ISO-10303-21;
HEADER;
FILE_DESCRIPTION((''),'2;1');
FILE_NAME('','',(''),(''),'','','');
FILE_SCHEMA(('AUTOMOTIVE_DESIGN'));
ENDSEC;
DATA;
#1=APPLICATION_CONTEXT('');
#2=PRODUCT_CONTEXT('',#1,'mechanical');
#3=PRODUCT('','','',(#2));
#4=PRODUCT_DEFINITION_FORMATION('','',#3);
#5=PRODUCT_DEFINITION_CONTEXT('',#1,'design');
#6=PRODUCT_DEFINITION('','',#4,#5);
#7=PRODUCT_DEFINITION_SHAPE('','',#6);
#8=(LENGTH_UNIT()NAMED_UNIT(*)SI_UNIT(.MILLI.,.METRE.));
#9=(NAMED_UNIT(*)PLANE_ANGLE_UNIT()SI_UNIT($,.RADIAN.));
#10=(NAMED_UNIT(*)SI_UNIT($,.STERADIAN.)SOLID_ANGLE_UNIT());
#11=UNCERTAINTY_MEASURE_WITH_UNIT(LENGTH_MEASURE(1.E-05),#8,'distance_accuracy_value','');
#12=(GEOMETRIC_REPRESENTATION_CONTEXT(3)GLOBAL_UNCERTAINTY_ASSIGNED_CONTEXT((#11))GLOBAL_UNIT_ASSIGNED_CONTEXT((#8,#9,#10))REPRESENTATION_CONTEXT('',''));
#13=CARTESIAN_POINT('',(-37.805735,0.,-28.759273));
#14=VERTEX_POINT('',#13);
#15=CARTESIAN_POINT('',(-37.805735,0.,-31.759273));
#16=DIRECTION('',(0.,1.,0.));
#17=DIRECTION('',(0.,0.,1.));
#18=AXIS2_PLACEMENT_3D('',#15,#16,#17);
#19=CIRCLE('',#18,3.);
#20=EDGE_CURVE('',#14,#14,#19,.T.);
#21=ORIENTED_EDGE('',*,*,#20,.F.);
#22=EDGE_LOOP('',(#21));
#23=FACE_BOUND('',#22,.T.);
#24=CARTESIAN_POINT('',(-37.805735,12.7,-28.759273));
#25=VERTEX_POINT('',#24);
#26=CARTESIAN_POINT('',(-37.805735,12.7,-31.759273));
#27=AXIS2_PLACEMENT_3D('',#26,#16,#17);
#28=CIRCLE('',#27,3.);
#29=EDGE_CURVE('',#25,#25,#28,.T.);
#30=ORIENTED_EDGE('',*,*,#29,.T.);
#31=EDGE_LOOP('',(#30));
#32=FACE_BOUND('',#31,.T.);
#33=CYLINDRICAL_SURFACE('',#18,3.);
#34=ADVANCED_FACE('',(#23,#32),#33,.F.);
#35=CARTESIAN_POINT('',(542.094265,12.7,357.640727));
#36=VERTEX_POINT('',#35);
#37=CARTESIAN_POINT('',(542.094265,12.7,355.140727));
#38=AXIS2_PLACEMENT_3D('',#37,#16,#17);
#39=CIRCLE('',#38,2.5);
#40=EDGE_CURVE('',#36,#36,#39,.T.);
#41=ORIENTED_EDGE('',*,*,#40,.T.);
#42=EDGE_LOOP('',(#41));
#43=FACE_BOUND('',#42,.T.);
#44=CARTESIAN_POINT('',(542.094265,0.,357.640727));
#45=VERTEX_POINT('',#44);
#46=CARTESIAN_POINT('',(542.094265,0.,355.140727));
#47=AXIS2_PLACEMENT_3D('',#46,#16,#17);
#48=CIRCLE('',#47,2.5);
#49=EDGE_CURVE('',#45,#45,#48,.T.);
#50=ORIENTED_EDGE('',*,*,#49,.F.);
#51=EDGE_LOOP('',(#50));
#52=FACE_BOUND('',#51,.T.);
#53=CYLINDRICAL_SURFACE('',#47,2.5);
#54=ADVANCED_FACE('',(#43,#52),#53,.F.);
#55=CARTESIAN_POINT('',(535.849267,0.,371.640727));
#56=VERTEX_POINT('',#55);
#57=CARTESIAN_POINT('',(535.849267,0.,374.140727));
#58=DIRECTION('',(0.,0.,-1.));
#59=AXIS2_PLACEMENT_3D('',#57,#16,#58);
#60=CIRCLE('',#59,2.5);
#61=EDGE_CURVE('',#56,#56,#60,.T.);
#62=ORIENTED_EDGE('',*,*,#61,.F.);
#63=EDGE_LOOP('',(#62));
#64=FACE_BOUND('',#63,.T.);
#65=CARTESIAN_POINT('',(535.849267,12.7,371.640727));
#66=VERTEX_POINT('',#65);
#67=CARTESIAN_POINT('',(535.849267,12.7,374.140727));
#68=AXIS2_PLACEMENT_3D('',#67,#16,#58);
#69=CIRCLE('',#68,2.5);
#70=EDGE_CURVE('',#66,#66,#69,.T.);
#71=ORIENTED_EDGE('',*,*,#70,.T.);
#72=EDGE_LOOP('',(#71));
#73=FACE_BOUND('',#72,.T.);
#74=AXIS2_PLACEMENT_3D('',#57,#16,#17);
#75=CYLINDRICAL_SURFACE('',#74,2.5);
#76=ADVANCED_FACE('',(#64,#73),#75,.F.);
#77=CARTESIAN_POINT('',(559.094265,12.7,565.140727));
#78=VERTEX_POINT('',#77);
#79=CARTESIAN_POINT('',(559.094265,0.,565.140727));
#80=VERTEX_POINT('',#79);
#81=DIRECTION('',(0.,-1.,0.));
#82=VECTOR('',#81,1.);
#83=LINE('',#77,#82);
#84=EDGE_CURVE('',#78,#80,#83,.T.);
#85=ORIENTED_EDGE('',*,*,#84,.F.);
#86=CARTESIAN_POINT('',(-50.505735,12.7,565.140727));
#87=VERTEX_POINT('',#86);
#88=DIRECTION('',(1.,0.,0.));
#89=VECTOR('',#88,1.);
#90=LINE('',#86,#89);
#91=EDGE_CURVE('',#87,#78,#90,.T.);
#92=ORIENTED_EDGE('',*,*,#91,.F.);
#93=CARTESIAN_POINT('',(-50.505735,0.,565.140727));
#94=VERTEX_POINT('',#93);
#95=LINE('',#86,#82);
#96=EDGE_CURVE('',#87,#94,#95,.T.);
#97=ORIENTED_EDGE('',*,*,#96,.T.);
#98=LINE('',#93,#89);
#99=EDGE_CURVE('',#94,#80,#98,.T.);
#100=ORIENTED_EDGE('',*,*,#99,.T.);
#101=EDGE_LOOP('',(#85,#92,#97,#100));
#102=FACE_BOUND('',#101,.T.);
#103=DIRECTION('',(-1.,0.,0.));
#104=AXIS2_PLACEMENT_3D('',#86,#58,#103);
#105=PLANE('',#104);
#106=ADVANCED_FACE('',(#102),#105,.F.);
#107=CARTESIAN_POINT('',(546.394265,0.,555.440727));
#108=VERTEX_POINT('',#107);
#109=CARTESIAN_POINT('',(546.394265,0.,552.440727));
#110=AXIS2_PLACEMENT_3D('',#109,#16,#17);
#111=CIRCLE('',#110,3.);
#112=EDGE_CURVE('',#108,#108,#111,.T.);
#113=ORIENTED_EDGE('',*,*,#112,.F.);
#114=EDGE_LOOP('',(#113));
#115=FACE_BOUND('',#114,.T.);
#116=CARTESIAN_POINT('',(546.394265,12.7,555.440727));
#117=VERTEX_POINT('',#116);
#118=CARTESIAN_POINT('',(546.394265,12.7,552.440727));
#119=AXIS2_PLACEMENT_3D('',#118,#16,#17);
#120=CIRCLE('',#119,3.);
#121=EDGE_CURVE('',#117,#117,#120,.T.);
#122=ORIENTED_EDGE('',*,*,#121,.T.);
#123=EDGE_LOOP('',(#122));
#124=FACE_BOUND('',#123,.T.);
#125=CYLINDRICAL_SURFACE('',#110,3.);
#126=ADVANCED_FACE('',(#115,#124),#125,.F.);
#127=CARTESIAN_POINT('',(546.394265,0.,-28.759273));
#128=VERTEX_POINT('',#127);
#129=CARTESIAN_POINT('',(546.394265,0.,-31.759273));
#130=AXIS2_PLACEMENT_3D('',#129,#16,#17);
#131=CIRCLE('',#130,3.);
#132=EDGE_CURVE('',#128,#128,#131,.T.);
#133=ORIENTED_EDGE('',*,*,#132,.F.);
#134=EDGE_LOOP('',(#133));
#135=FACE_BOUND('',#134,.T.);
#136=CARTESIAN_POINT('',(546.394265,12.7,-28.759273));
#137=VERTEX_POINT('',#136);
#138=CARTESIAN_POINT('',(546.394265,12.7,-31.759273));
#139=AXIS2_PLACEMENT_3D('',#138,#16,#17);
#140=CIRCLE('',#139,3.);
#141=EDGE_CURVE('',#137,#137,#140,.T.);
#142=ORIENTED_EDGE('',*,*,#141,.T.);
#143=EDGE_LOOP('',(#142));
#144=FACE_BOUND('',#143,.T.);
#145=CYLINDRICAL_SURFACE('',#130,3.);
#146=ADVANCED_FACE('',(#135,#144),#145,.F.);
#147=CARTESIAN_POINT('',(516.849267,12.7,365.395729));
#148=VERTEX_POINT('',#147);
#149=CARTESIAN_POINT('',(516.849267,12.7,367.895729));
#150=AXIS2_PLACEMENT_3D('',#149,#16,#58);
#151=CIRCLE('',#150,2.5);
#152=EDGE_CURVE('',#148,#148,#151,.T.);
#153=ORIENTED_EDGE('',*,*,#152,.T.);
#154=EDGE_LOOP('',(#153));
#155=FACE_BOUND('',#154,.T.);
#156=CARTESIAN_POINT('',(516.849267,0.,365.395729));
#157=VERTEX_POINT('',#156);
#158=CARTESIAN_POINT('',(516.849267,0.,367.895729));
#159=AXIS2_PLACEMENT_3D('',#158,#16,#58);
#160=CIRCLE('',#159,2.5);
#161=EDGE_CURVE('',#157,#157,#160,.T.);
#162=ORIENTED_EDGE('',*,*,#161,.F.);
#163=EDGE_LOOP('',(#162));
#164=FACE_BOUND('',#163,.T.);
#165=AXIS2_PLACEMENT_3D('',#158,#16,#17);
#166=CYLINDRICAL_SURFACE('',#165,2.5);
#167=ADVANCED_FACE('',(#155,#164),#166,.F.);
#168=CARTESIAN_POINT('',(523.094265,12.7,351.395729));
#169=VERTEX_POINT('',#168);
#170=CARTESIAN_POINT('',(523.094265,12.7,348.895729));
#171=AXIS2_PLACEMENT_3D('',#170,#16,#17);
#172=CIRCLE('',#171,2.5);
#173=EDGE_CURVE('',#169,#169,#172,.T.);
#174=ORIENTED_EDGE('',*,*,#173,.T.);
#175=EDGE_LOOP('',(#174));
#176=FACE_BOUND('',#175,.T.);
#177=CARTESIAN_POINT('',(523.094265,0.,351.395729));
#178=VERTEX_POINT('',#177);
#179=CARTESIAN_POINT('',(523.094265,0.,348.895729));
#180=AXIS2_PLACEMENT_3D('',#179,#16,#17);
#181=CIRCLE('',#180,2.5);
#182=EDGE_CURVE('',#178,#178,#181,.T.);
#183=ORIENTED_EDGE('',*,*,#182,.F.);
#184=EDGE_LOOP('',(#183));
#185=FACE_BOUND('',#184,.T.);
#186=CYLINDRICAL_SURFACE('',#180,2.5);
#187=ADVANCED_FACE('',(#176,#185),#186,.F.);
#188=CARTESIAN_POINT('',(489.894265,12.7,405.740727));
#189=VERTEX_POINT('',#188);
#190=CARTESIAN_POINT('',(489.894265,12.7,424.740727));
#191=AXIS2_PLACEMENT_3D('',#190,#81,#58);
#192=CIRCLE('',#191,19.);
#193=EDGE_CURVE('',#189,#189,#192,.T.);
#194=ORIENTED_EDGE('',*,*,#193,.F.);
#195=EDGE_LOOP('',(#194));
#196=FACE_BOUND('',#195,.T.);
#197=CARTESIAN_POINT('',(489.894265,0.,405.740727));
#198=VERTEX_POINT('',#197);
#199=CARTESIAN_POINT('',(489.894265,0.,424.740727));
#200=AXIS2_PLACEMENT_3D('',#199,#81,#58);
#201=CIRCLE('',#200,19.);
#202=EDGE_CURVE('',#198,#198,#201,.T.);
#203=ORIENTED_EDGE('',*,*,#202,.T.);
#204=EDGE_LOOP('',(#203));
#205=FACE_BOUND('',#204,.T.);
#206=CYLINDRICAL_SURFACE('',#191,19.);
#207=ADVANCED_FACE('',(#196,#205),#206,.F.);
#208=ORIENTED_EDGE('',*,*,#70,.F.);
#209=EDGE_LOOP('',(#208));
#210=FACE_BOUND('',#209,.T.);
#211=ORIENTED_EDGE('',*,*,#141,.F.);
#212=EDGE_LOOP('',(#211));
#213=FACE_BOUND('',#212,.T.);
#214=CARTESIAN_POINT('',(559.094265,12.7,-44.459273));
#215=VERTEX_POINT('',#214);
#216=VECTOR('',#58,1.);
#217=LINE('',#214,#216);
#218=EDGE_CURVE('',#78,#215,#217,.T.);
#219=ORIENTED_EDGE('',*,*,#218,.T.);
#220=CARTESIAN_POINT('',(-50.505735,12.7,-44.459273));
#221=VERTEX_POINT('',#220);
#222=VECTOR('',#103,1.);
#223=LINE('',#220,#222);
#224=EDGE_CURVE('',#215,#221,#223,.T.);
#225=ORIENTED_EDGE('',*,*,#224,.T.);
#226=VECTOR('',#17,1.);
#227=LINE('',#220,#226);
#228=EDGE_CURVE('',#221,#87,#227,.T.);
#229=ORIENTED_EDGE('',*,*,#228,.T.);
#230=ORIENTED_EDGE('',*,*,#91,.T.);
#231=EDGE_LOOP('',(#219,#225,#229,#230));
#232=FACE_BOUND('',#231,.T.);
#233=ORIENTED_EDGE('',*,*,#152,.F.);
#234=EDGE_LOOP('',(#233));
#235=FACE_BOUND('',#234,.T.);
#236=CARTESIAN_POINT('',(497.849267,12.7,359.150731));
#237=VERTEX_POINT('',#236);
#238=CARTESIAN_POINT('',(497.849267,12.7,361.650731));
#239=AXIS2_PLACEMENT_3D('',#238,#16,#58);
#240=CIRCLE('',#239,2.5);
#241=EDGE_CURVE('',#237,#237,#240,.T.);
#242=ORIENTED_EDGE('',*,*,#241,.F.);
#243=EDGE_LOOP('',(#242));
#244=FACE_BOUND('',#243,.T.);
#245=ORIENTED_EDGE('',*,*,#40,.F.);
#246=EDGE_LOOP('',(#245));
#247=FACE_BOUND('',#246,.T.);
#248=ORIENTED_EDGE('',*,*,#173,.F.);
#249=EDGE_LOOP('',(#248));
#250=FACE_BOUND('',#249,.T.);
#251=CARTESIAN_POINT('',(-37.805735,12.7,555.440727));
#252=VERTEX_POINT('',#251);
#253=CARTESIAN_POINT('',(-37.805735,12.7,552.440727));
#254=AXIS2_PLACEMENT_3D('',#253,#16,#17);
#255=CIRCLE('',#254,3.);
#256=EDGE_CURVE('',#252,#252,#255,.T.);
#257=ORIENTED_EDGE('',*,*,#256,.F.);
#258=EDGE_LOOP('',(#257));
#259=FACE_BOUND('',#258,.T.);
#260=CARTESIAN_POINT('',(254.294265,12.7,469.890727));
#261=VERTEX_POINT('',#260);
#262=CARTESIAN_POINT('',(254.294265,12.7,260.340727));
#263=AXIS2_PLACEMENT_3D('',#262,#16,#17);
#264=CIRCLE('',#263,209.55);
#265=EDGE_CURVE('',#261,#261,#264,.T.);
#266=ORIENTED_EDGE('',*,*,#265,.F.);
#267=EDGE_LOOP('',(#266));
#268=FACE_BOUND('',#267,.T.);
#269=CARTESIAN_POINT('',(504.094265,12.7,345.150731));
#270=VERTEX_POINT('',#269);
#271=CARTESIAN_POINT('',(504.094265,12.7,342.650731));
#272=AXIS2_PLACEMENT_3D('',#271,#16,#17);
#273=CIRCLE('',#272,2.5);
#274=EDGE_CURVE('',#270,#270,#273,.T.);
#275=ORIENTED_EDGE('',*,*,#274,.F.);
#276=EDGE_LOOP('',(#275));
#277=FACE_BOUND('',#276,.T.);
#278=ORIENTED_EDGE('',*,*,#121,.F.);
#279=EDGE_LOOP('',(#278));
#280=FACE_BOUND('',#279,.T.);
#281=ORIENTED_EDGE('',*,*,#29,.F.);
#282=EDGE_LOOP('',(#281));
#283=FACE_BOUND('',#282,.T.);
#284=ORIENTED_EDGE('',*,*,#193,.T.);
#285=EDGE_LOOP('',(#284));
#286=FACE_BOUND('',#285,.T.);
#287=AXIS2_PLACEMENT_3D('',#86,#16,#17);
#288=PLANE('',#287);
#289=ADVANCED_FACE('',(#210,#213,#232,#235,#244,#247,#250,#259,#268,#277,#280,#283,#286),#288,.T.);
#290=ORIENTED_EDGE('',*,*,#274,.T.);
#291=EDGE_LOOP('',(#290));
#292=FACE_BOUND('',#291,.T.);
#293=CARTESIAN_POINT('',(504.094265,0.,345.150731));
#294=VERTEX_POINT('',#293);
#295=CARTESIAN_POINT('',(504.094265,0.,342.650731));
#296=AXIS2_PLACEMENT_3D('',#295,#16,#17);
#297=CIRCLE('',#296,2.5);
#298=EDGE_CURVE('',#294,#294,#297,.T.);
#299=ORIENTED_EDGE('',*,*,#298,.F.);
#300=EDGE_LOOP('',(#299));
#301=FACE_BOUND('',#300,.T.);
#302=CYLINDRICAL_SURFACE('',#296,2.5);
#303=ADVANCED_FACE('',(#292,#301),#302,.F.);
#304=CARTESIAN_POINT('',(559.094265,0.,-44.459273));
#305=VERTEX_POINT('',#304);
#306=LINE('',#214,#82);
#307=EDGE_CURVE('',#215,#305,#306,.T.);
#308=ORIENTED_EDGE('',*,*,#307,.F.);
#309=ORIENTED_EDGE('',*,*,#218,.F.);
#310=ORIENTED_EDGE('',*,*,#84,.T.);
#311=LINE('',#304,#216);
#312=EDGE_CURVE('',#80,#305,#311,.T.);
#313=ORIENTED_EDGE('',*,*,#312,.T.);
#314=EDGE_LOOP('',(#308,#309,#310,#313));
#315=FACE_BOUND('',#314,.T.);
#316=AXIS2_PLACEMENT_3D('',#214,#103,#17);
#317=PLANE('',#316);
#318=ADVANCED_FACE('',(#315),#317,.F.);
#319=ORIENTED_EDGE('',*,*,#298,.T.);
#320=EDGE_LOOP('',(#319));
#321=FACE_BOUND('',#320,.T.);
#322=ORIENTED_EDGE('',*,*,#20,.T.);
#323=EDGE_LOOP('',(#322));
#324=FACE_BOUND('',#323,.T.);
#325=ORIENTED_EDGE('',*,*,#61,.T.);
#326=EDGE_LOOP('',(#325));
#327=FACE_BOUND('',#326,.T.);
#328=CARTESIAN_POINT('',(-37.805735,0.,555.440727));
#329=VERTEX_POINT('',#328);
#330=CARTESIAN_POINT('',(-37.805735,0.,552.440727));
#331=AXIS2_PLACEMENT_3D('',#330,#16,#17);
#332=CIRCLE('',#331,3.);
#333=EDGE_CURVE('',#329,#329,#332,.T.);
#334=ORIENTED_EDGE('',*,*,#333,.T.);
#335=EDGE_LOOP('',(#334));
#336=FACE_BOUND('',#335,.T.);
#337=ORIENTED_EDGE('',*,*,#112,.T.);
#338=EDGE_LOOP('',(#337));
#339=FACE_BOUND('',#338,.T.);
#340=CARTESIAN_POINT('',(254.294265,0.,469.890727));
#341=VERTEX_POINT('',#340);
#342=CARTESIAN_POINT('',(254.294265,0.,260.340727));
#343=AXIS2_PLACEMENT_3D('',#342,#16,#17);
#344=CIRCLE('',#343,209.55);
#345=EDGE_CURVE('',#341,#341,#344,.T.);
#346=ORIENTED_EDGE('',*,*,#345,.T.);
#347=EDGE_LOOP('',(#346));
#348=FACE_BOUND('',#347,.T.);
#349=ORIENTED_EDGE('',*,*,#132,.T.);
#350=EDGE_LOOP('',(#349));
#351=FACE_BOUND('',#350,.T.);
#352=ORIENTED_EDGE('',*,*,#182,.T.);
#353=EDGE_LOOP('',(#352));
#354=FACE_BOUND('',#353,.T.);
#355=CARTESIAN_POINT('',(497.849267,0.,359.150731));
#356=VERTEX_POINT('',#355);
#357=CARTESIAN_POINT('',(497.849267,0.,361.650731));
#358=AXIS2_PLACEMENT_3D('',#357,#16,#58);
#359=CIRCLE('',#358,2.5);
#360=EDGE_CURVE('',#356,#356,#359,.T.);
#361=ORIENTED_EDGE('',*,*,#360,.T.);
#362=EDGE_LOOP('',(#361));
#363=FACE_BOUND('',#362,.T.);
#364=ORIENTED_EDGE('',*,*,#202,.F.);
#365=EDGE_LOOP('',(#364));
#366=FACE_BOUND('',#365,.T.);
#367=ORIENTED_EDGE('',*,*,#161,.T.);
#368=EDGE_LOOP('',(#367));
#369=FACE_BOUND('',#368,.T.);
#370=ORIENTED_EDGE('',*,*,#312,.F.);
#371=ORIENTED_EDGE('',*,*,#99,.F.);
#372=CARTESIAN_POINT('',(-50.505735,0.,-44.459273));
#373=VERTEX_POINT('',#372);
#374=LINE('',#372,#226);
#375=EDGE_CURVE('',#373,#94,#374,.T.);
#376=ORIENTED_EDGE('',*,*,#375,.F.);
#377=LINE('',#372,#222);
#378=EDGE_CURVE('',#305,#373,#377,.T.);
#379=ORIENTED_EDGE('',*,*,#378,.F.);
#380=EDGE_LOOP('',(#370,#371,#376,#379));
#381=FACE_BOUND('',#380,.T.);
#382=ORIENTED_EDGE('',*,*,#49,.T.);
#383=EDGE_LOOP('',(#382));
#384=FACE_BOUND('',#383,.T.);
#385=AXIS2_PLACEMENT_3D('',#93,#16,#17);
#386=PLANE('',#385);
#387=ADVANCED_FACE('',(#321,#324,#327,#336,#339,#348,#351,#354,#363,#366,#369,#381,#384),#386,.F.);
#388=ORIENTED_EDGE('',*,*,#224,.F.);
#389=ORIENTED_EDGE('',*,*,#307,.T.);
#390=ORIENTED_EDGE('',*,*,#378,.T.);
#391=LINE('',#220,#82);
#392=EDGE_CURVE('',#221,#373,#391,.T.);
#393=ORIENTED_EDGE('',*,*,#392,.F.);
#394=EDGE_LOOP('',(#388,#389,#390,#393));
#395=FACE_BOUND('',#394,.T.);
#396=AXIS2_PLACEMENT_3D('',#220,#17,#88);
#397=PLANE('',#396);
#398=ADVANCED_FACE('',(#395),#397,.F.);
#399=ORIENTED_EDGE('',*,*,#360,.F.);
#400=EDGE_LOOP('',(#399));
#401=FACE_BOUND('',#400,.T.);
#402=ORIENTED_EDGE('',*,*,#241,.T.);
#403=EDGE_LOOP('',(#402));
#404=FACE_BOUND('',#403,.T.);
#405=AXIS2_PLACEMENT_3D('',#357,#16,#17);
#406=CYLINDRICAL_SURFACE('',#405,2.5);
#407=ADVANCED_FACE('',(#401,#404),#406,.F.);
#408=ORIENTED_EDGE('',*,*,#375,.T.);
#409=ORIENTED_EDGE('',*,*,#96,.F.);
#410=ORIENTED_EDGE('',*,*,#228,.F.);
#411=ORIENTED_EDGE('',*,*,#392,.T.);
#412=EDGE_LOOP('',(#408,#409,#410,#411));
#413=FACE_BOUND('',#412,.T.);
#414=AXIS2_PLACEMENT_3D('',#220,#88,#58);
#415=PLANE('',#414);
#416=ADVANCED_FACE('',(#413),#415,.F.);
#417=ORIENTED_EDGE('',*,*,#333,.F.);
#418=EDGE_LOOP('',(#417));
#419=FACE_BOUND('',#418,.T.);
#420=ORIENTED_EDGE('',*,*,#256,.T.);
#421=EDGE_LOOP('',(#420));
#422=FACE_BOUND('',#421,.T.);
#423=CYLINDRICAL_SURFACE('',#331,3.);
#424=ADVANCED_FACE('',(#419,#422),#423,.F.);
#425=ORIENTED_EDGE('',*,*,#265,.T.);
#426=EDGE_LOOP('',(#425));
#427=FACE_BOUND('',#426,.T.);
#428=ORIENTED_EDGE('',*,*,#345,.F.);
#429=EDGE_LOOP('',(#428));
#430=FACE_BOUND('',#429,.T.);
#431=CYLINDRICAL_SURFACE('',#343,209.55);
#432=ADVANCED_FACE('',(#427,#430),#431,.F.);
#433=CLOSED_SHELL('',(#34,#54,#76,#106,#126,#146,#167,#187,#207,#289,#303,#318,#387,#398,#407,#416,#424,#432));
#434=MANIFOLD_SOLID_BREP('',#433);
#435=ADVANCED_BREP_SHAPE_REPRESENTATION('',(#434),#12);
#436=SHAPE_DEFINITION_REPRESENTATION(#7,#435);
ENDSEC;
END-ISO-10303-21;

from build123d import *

# Parameters (mm, degrees)
SKETCH1_W           = 609.6
SKETCH1_H           = 609.6
BOSS_EXTRUDE1_DEPTH = 12.7
SKETCH2_R           = 209.55
CUT_EXTRUDE1_DEPTH  = 13.7
SKETCH3_R           = 19
CUT_EXTRUDE2_DEPTH  = 13.7
SKETCH4_R           = 2.5
CUT_EXTRUDE3_DEPTH  = 13.7
SKETCH5_R           = 3
CUT_EXTRUDE4_DEPTH  = 13.7


with BuildPart() as part:
    # Sketch1 → Boss-Extrude1 (new body)
    with BuildSketch(Plane(origin=(0, 0, 0), x_dir=(1, 0, 0), z_dir=(0, 1, 0))):
        with Locations((254.294265396, -260.340726581)):
            Rectangle(SKETCH1_W, SKETCH1_H)
    extrude(amount=BOSS_EXTRUDE1_DEPTH)

    # Sketch2 → Cut-Extrude1 (cut, through all)
    with BuildSketch(Plane(origin=(0, 12.7, 0), x_dir=(1, 0, 0), z_dir=(0, 1, 0))):
        with Locations((254.294265396, -260.340726581)):
            Circle(SKETCH2_R)
    extrude(amount=-CUT_EXTRUDE1_DEPTH, mode=Mode.SUBTRACT)

    # Sketch3 → Cut-Extrude2 (cut, through all)
    with BuildSketch(Plane.XZ):
        with Locations((489.894265396, 424.740726581)):
            Circle(SKETCH3_R)
    extrude(amount=-CUT_EXTRUDE2_DEPTH, mode=Mode.SUBTRACT)

    # Sketch4 → Cut-Extrude3 (cut, through all)
    with BuildSketch(Plane(origin=(0, 12.7, 0), x_dir=(1, 0, 0), z_dir=(0, 1, 0))):
        with Locations((542.094265396, -355.140726581)):
            Circle(SKETCH4_R)
        with Locations((523.094265396, -348.895728582)):
            Circle(SKETCH4_R)
        with Locations((504.094265396, -342.650730584)):
            Circle(SKETCH4_R)
        with Locations((497.849267397, -361.650730584)):
            Circle(SKETCH4_R)
        with Locations((516.849267397, -367.895728582)):
            Circle(SKETCH4_R)
        with Locations((535.849267397, -374.140726581)):
            Circle(SKETCH4_R)
    extrude(amount=-CUT_EXTRUDE3_DEPTH, mode=Mode.SUBTRACT)

    # Sketch5 → Cut-Extrude4 (cut, through all)
    with BuildSketch(Plane(origin=(0, 12.7, 0), x_dir=(1, 0, 0), z_dir=(0, 1, 0))):
        with Locations((546.394265396, -552.440726581)):
            Circle(SKETCH5_R)
        with Locations((-37.805734604, -552.440726581)):
            Circle(SKETCH5_R)
        with Locations((-37.805734604, 31.759273419)):
            Circle(SKETCH5_R)
        with Locations((546.394265396, 31.759273419)):
            Circle(SKETCH5_R)
    extrude(amount=-CUT_EXTRUDE4_DEPTH, mode=Mode.SUBTRACT)


solid = part.part
